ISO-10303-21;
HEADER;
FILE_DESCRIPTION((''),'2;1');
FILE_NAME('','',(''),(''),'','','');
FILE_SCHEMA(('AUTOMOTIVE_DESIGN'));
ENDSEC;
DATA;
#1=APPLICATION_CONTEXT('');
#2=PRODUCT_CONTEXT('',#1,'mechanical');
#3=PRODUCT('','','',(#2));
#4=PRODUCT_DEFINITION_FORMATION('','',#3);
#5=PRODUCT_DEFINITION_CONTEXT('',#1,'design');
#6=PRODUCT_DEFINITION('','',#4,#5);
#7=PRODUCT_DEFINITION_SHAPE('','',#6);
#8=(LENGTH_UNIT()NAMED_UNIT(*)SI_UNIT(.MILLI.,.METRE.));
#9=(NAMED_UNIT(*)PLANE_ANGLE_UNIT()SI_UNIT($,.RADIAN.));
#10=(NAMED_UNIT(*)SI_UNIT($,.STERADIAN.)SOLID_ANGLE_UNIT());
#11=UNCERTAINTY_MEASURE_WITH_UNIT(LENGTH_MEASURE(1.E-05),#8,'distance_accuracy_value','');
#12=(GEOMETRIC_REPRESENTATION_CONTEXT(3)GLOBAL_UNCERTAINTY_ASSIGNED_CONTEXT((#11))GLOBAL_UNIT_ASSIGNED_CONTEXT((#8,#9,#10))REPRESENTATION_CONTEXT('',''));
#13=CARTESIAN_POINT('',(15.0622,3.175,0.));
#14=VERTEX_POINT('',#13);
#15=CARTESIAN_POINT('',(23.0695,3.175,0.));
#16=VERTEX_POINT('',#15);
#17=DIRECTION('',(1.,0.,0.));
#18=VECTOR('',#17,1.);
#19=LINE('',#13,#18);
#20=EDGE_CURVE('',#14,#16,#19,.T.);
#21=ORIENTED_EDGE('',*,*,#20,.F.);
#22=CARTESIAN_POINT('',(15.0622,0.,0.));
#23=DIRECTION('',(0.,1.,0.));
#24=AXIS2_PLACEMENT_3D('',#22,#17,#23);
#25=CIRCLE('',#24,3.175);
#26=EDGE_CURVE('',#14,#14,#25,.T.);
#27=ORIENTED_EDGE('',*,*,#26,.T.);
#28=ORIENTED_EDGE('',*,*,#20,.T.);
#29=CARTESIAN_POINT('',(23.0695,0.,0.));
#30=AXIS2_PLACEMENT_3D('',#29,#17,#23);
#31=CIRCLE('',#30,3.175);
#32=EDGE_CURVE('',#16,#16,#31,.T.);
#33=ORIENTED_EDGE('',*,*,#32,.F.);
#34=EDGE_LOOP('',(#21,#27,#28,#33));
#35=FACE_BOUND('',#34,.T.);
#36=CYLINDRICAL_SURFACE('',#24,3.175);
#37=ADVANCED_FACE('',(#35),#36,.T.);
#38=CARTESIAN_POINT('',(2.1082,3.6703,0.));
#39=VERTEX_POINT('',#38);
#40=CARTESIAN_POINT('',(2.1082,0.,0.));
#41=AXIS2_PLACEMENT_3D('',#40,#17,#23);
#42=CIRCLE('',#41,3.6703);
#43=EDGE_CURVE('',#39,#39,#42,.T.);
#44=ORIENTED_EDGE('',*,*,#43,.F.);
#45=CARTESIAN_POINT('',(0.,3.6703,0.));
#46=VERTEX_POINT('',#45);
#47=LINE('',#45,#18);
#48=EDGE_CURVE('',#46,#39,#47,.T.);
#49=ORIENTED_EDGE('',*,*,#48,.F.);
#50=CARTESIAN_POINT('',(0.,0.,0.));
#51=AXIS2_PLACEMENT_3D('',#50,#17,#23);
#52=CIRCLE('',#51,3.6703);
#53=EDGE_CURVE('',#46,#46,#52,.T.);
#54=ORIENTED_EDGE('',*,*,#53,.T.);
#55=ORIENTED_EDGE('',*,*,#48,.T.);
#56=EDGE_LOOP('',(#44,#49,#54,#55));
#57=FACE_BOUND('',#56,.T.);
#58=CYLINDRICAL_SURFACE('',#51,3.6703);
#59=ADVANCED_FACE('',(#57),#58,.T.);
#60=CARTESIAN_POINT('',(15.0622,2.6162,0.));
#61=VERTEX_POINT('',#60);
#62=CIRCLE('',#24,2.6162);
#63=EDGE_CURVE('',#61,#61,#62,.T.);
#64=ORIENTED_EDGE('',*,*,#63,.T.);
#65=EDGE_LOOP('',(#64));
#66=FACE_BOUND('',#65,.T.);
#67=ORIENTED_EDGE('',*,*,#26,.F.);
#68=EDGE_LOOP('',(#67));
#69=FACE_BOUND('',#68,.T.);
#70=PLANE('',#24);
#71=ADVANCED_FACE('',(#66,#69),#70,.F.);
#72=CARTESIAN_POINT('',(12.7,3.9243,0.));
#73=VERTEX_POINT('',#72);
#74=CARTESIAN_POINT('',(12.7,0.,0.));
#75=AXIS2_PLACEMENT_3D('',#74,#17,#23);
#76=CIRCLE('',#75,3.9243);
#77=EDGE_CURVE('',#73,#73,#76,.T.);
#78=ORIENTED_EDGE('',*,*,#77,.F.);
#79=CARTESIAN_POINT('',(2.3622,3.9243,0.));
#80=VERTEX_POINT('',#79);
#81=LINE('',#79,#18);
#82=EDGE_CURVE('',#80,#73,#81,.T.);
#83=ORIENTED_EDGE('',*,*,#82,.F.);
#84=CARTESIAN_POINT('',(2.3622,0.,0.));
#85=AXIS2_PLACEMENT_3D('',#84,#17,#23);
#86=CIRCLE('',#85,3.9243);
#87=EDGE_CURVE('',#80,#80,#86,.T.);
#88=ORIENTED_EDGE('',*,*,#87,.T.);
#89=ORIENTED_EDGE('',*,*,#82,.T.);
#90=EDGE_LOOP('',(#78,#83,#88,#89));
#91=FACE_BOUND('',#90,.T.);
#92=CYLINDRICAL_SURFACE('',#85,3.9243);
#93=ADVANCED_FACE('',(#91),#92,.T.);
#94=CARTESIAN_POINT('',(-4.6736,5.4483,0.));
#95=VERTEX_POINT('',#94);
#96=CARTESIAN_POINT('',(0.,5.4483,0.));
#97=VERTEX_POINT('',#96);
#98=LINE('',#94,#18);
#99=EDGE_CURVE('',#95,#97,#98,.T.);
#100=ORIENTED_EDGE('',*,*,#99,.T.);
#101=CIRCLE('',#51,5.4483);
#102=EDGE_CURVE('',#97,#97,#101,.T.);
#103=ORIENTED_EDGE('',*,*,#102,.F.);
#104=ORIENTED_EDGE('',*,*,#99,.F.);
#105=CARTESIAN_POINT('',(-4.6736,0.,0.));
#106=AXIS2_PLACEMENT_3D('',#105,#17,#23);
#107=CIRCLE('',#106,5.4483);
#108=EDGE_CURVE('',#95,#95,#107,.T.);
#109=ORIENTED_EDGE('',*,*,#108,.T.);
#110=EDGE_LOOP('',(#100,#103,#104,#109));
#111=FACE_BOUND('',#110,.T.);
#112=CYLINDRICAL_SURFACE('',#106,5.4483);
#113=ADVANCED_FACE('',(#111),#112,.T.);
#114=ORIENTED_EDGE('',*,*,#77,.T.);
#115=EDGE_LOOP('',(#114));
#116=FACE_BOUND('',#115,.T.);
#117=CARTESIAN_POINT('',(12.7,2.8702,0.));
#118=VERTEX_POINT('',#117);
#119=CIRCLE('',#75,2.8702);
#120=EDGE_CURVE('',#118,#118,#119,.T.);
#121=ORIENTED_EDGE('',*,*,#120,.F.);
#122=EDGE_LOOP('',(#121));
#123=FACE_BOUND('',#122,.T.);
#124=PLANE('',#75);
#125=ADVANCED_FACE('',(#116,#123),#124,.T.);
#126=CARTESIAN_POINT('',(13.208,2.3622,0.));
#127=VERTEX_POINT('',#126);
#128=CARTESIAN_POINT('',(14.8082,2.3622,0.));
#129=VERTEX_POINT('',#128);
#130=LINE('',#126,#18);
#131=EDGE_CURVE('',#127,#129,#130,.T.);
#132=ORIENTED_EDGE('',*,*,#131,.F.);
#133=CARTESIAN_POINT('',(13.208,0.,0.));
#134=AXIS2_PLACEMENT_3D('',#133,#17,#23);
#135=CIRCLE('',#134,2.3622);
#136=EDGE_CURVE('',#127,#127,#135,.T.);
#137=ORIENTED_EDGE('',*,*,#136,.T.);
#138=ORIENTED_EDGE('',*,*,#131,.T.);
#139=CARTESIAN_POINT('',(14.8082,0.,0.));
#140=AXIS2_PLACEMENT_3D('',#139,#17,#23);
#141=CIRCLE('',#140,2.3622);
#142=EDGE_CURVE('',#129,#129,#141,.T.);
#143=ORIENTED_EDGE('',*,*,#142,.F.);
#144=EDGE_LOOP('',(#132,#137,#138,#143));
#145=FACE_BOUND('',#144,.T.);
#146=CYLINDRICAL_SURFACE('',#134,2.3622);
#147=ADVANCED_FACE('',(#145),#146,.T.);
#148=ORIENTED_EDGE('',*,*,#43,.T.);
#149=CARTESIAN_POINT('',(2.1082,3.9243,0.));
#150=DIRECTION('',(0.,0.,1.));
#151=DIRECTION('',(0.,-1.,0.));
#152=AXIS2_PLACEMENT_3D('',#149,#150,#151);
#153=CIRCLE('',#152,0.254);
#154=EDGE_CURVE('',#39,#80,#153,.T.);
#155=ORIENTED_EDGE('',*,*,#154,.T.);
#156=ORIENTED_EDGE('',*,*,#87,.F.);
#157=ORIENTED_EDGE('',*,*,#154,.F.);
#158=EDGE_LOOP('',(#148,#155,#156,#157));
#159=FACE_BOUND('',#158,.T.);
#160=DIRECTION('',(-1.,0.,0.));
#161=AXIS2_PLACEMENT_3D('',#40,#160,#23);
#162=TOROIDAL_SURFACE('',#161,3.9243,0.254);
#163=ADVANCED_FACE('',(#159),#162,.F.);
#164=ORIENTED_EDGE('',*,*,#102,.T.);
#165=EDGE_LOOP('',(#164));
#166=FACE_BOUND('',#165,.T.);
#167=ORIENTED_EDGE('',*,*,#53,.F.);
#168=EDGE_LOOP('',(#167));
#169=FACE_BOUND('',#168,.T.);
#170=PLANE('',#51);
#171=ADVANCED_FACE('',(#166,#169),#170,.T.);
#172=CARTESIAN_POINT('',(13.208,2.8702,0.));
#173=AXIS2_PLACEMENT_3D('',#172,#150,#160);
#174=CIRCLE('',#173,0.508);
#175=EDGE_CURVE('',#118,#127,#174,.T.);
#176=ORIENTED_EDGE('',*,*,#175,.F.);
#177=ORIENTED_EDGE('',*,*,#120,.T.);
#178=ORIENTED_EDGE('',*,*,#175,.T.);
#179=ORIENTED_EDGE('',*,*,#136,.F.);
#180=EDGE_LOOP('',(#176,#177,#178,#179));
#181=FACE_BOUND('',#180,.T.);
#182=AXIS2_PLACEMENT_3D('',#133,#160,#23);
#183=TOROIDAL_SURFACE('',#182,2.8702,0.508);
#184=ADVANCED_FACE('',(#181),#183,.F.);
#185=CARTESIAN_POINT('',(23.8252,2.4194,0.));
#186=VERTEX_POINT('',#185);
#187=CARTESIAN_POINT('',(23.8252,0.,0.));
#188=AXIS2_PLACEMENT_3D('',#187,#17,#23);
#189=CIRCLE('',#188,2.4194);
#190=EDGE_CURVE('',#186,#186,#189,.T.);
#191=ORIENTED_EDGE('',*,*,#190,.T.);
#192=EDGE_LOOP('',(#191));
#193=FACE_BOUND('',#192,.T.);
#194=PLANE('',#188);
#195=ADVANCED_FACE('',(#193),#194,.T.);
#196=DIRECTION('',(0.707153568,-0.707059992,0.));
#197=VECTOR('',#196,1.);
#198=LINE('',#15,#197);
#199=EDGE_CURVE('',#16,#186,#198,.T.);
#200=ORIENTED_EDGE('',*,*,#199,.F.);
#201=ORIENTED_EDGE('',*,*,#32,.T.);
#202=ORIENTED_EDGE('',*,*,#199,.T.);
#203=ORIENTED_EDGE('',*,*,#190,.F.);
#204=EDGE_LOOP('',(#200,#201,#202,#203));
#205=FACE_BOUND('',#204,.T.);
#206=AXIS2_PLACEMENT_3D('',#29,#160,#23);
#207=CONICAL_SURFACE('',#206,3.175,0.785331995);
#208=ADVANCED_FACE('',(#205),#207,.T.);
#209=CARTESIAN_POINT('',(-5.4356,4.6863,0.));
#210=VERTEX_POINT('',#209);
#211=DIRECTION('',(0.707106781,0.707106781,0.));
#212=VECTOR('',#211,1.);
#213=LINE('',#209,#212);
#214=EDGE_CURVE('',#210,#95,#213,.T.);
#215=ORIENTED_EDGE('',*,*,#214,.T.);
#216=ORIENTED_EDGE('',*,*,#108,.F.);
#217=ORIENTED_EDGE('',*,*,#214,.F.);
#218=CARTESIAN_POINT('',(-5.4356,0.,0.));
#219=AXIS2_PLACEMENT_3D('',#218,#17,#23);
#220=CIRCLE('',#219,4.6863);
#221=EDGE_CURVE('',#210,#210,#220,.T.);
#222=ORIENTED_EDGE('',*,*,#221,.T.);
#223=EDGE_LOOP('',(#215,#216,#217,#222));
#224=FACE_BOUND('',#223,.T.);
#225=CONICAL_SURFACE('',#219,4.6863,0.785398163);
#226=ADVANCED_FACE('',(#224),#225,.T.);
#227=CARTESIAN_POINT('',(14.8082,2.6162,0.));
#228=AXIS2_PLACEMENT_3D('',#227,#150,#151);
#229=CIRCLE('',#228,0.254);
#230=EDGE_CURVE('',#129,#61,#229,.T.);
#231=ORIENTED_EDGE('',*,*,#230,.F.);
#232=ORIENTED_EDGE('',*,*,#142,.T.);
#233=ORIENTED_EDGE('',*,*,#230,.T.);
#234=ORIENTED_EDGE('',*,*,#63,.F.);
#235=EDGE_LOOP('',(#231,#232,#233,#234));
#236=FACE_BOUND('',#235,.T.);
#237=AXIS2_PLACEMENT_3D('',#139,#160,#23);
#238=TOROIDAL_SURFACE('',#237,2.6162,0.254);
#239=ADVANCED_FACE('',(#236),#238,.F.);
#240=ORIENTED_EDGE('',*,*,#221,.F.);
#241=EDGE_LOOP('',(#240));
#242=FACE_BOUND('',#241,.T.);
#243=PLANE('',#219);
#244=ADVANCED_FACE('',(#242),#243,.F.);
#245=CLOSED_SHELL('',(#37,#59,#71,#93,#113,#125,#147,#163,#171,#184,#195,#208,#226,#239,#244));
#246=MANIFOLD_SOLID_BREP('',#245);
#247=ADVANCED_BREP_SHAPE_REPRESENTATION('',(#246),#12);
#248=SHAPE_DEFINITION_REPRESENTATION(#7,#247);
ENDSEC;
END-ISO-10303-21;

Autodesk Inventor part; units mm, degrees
sketch "Sketch_1" plane through (0, 0, 0) normal (0, 0, 1) x (1, 0, 0)
  line L0 (23.8252, 0) -> (-5.4356, 0)
  line L1 (-5.4356, 0) -> (-5.4356, 4.6863)
  line L2 (-5.4356, 4.6863) -> (-4.6736, 5.4483)
  line L3 (-4.6736, 5.4483) -> (0, 5.4483)
  line L4 (0, 5.4483) -> (0, 3.6703)
  line L5 (0, 3.6703) -> (2.1082, 3.6703)
  arc A0 (2.1082, 3.6703) -> (2.3622, 3.9243) centre (2.1082, 3.9243) ccw
  line L6 (2.3622, 3.9243) -> (12.7, 3.9243)
  line L7 (12.7, 3.9243) -> (12.7, 2.8702)
  arc A1 (12.7, 2.8702) -> (13.208, 2.3622) centre (13.208, 2.8702) ccw
  line L8 (13.208, 2.3622) -> (14.8082, 2.3622)
  arc A2 (14.8082, 2.3622) -> (15.0622, 2.6162) centre (14.8082, 2.6162) ccw
  line L9 (15.0622, 2.6162) -> (15.0622, 3.175)
  line L10 (15.0622, 3.175) -> (23.0695, 3.175)
  line L11 (23.0695, 3.175) -> (23.8252, 2.4194)
  line L12 (23.8252, 2.4194) -> (23.8252, 0)
  line L13 (23.8252, 0) -> (-5.4356, 0)
revolve "Revolution1" add sketch "Sketch_1" angle 360 about axis through (23.8252, 0, 0) along (1, 0, 0)
thread "Thread1" size "1/4-20 UNC" class "2A" standard "ANSI Unified Screw Threads" full length
ref_plane "bolt_XY" through (0, 0, 0) normal (1, 0, 0) x (0, 0, -1)
ref_plane "bolt_YZ" through (0, 0, 0) normal (0, 0, -1) x (0, 1, 0)
ref_plane "bolt_ZX" through (0, 0, 0) normal (0, 1, 0) x (1, 0, 0)
ref_plane "bolt1_XY" through (15.6972, 0, 0) normal (1, 0, 0) x (0, 0, -1)
ref_plane "bolt1_YZ" through (15.6972, 0, 0) normal (0, 0, -1) x (0, 1, 0)
ref_plane "bolt1_ZX" through (15.6972, 0, 0) normal (0, 1, 0) x (1, 0, 0)
properties part number "2281_b"
